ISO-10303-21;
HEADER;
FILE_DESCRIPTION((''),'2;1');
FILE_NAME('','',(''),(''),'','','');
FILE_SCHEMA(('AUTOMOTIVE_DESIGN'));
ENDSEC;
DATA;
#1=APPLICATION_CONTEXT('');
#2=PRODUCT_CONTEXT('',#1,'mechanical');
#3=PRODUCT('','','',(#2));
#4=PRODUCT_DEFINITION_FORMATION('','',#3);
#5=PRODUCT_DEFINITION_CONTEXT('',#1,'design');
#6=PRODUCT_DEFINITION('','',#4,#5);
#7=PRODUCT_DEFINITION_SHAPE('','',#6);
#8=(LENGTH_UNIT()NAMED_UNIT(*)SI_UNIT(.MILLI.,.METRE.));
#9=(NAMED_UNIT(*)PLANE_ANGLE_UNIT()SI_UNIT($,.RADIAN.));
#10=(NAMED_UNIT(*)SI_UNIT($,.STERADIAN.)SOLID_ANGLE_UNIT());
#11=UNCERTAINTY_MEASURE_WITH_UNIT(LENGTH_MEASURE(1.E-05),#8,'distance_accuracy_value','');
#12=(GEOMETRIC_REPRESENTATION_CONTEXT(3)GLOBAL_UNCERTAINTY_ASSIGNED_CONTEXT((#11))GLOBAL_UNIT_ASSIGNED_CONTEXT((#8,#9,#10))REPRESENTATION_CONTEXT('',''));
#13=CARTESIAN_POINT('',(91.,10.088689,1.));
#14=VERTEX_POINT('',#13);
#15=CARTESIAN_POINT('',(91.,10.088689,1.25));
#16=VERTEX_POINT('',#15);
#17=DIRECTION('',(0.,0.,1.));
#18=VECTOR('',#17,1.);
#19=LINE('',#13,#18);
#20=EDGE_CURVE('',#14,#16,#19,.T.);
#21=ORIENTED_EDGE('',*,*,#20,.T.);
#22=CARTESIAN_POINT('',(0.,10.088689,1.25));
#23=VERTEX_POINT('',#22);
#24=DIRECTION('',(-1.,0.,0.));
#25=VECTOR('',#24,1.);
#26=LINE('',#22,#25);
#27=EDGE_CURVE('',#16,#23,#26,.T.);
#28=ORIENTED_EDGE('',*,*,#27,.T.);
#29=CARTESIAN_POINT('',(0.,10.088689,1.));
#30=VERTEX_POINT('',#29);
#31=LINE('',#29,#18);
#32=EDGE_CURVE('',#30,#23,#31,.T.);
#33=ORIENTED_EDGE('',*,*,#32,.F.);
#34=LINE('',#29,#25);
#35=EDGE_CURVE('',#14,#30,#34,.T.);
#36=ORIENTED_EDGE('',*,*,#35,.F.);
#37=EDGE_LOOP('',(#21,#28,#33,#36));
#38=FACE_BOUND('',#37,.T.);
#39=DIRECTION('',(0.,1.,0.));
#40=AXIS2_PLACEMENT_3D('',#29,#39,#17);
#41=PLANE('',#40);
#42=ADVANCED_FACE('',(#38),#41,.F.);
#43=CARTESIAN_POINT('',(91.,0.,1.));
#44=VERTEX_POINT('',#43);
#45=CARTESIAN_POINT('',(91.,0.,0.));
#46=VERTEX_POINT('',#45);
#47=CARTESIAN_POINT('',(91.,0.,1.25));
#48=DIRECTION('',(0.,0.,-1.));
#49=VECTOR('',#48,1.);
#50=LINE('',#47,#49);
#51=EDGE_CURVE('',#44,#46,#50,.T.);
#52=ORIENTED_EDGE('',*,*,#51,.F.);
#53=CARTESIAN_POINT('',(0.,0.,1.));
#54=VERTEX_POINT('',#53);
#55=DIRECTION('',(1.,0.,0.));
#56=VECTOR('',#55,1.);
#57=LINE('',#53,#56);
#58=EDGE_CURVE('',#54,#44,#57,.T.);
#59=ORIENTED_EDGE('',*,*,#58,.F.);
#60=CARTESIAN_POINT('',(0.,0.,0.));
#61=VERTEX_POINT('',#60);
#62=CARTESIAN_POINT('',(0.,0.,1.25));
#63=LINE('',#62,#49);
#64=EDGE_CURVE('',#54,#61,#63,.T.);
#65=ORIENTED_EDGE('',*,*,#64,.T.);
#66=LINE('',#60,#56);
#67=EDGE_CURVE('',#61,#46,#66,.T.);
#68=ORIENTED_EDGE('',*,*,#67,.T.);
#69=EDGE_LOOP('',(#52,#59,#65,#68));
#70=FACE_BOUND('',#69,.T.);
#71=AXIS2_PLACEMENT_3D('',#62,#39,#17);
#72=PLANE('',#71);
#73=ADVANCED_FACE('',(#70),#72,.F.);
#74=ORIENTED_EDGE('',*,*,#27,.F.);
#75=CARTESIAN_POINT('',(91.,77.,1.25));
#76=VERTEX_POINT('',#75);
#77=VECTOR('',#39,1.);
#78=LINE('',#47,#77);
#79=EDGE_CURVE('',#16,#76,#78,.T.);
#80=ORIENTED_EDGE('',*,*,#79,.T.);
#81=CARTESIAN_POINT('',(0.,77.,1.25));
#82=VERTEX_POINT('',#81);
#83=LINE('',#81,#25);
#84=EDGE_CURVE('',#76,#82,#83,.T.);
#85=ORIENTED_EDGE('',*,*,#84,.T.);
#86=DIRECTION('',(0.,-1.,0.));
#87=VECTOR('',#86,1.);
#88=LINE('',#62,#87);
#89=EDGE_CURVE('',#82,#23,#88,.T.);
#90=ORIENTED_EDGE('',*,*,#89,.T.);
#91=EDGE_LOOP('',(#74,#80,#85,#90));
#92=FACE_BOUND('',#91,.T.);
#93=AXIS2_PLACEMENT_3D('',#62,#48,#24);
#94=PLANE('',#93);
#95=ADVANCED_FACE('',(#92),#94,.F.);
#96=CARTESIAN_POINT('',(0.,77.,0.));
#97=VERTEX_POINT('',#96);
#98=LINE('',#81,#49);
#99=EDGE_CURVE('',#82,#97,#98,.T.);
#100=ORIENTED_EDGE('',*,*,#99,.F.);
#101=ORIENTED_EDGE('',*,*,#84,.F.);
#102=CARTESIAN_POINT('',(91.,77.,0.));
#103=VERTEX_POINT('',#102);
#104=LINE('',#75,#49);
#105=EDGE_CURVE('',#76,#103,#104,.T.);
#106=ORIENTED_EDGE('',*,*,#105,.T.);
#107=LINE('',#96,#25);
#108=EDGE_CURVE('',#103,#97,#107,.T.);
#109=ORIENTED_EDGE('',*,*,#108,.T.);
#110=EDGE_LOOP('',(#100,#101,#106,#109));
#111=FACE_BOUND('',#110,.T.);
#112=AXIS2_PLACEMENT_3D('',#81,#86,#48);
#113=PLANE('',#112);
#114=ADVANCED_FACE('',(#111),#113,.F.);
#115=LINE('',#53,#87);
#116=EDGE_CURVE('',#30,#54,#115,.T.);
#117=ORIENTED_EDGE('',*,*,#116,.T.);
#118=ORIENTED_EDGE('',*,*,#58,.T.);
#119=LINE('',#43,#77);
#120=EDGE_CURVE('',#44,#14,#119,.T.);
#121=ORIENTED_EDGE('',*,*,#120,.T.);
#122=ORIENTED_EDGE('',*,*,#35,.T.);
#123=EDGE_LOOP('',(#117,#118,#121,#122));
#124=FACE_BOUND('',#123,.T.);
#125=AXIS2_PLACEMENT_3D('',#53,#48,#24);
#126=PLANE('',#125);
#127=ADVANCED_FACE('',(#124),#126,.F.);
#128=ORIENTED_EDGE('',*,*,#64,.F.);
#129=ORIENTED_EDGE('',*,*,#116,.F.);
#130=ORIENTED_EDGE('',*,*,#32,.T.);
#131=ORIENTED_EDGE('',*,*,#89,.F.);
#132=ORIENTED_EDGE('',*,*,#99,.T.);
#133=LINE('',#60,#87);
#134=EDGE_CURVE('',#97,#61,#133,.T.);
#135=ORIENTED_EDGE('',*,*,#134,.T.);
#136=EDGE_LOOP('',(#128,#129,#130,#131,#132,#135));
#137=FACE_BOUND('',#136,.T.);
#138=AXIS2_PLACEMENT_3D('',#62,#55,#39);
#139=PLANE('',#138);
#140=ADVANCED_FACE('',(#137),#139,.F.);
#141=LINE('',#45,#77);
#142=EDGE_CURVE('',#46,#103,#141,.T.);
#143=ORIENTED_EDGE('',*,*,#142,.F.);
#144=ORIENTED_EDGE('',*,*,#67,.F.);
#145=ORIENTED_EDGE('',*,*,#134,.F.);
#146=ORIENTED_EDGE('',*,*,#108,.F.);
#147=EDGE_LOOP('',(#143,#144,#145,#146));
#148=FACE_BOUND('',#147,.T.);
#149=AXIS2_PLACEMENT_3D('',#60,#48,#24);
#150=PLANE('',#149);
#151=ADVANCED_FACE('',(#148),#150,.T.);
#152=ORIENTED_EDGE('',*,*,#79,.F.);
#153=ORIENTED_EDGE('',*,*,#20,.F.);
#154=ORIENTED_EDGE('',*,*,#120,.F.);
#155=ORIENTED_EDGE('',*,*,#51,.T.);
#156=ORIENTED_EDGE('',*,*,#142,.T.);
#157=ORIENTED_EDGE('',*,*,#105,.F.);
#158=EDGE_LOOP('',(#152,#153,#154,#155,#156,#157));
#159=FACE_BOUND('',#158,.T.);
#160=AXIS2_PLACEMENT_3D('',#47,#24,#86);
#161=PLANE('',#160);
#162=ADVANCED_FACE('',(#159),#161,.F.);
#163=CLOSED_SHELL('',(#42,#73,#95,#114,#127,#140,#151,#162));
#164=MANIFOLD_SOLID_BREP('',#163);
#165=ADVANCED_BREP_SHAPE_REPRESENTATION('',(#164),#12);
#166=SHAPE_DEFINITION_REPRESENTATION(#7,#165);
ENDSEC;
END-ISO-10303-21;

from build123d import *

# Parameters (mm, degrees)
ESQUISSE1_W             = 91
ESQUISSE1_H             = 77
BOSS_EXTRU_1_DEPTH      = 1.25
ESQUISSE2_W             = 91
ESQUISSE2_H             = 10.088688792
ENL_V_MAT_EXTRU_1_DEPTH = 0.25


with BuildPart() as part:
    # Esquisse1 → Boss.-Extru.1 (new body)
    with BuildSketch(Plane.XY):
        with Locations((45.5, 38.5)):
            Rectangle(ESQUISSE1_W, ESQUISSE1_H)
    extrude(amount=BOSS_EXTRU_1_DEPTH)

    # Esquisse2 → Enlèv. mat.-Extru.1 (cut)
    with BuildSketch(Plane.XY.offset(1.25)):
        with Locations((45.5, 5.044344396)):
            Rectangle(ESQUISSE2_W, ESQUISSE2_H)
    extrude(amount=-ENL_V_MAT_EXTRU_1_DEPTH, mode=Mode.SUBTRACT)


solid = part.part
